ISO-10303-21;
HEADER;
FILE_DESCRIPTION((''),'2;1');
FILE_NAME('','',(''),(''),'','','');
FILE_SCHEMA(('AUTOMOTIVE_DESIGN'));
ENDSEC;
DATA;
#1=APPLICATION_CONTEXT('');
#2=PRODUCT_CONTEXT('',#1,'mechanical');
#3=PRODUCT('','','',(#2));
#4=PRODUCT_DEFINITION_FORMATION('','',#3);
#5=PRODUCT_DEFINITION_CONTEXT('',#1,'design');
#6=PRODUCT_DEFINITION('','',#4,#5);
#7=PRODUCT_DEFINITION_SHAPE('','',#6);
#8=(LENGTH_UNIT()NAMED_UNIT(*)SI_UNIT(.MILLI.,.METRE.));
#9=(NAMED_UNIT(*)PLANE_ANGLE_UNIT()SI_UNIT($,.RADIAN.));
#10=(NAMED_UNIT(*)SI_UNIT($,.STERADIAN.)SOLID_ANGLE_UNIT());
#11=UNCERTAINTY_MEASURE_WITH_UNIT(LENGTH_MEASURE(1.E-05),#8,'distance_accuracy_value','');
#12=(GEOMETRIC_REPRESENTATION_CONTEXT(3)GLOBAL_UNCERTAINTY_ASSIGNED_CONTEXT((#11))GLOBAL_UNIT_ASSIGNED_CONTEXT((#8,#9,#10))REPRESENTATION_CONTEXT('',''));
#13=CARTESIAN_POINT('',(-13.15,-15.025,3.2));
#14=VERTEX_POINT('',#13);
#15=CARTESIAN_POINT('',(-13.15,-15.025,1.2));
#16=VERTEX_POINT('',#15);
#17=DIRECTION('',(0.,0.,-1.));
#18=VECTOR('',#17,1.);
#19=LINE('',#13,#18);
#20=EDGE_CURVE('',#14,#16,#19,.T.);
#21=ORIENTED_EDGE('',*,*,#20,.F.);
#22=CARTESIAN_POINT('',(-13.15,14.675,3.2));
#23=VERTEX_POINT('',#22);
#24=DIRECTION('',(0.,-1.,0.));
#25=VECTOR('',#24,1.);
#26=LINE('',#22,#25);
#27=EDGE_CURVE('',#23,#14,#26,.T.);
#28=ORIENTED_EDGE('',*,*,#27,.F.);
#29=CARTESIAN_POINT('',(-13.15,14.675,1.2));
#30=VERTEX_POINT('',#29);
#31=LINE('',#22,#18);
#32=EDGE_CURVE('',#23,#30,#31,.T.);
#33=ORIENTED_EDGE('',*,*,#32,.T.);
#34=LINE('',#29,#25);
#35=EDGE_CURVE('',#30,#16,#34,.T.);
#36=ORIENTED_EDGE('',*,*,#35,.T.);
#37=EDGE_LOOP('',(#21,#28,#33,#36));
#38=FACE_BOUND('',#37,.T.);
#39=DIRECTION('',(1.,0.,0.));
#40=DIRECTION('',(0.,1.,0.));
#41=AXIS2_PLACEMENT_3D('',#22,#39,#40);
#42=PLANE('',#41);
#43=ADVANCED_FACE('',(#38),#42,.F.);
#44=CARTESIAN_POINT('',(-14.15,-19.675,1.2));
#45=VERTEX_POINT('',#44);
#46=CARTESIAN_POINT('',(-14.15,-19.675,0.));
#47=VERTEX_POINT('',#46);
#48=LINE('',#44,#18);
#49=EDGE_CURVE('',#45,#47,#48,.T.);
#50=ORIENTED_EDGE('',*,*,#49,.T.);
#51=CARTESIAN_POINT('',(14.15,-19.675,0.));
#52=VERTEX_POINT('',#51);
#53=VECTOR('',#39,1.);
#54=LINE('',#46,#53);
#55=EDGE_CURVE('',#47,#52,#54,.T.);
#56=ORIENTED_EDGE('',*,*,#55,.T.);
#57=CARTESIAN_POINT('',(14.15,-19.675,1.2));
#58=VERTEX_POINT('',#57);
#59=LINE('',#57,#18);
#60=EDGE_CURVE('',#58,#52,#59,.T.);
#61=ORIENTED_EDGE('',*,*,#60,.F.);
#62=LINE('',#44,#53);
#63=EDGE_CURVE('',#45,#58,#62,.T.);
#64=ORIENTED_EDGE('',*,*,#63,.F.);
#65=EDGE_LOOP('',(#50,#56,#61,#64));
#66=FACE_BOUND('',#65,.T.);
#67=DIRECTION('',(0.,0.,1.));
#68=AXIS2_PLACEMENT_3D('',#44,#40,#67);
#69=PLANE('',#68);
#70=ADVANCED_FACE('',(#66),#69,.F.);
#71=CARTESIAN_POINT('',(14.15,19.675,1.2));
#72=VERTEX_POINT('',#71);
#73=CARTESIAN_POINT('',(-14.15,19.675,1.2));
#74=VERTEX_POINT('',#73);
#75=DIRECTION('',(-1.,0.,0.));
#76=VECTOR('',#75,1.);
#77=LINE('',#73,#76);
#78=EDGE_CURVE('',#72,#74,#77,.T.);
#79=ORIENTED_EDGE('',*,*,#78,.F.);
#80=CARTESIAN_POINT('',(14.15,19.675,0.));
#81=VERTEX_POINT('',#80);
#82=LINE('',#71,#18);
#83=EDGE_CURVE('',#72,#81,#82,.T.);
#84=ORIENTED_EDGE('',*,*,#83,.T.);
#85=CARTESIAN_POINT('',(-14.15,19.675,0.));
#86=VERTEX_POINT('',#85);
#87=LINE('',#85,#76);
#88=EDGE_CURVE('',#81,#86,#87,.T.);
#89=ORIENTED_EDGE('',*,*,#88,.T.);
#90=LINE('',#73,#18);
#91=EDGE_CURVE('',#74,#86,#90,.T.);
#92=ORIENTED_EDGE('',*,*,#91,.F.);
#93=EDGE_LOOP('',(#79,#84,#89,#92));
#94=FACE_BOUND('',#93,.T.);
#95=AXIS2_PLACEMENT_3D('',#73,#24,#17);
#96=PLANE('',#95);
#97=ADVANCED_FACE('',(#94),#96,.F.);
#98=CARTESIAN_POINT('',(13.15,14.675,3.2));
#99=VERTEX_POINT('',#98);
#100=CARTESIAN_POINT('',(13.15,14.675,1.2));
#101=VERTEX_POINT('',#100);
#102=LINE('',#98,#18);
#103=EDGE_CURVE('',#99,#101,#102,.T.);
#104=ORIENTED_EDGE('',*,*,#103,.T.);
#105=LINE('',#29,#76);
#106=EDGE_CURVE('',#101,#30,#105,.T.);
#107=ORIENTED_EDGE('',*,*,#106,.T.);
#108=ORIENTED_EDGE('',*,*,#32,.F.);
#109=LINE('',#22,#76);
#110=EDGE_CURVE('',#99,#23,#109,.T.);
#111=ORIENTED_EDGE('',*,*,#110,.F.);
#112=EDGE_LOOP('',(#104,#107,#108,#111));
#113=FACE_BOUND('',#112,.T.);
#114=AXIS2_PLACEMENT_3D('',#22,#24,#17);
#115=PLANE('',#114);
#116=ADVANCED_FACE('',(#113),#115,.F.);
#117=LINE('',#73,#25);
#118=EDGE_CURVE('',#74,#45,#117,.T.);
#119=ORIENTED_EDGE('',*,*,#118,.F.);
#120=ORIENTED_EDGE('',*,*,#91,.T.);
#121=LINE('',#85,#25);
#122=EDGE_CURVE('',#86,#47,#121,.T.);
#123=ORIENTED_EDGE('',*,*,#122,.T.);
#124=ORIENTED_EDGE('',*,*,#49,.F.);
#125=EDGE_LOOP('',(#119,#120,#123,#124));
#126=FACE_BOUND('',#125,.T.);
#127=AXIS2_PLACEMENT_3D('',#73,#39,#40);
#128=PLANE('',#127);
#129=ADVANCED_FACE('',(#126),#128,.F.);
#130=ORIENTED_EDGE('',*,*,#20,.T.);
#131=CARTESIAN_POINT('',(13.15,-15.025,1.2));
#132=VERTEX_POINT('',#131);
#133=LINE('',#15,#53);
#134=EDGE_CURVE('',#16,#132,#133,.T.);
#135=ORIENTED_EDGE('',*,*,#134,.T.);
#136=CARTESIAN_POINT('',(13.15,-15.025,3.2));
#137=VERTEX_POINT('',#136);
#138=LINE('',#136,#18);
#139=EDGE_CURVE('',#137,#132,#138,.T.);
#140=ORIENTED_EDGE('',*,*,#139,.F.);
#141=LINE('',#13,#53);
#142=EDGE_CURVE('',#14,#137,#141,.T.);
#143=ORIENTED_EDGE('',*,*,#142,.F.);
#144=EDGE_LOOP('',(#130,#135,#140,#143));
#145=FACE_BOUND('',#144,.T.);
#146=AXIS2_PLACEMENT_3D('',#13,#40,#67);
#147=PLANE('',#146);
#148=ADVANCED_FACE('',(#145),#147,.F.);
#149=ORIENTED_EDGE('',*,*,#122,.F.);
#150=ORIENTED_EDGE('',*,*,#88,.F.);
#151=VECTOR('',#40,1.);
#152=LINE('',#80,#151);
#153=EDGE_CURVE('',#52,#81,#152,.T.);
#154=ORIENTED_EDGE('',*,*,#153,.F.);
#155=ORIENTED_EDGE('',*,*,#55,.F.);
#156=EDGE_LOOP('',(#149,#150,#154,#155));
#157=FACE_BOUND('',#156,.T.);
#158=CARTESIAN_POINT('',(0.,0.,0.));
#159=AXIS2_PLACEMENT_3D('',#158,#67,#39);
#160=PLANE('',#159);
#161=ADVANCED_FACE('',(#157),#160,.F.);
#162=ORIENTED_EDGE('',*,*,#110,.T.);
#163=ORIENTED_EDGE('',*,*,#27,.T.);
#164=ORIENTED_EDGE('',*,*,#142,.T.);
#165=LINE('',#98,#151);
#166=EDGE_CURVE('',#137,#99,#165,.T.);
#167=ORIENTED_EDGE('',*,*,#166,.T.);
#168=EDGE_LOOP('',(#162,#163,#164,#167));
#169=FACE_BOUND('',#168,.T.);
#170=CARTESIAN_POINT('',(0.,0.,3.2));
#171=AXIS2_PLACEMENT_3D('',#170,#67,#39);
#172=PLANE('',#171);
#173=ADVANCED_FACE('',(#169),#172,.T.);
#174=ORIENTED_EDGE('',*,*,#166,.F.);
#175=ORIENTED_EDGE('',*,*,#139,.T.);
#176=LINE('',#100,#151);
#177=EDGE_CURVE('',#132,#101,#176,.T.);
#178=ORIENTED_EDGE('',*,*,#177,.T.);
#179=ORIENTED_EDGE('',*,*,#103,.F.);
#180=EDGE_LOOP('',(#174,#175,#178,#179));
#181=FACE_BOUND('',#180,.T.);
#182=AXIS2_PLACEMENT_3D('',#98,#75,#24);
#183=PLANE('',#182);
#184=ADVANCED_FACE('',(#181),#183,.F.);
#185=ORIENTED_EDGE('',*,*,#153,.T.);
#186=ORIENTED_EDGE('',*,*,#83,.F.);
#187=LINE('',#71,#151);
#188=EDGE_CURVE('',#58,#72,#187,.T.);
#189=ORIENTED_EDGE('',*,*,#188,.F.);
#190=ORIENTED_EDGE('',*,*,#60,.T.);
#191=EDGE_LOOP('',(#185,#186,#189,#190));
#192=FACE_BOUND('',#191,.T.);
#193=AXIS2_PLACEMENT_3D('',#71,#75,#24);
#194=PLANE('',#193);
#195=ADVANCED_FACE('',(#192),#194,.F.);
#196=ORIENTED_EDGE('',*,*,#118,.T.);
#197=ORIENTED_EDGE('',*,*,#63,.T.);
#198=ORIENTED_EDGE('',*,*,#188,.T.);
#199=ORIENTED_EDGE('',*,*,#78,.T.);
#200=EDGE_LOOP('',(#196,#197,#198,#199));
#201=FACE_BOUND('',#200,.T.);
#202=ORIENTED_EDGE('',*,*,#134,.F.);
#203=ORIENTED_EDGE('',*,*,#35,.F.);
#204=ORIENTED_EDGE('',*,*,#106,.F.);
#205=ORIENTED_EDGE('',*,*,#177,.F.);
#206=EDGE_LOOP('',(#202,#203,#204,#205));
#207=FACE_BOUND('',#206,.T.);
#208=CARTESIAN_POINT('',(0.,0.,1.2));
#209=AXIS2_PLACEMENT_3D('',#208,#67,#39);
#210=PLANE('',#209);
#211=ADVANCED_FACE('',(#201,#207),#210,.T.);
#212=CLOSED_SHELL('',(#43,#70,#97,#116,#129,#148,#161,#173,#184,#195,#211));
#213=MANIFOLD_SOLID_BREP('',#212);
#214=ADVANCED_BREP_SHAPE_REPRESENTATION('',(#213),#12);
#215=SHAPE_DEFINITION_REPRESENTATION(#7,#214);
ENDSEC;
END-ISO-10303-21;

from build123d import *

# Parameters (mm, degrees)
SKETCH_1_W      = 28.3
SKETCH_1_H      = 39.35
EXTRUDE_1_DEPTH = 1.2
SKETCH_2_W      = 26.3
SKETCH_2_H      = 29.7
EXTRUDE_2_DEPTH = 2


with BuildPart() as part:
    # Эскиз1 → Бобышка-Вытянуть1 (new body)
    with BuildSketch(Plane.XY):
        Rectangle(SKETCH_1_W, SKETCH_1_H)
    extrude(amount=EXTRUDE_1_DEPTH)

    # Эскиз2 → Бобышка-Вытянуть2 (add)
    with BuildSketch(Plane.XY.offset(1.2)):
        with Locations((0, -0.175)):
            Rectangle(SKETCH_2_W, SKETCH_2_H)
    extrude(amount=EXTRUDE_2_DEPTH)


solid = part.part
